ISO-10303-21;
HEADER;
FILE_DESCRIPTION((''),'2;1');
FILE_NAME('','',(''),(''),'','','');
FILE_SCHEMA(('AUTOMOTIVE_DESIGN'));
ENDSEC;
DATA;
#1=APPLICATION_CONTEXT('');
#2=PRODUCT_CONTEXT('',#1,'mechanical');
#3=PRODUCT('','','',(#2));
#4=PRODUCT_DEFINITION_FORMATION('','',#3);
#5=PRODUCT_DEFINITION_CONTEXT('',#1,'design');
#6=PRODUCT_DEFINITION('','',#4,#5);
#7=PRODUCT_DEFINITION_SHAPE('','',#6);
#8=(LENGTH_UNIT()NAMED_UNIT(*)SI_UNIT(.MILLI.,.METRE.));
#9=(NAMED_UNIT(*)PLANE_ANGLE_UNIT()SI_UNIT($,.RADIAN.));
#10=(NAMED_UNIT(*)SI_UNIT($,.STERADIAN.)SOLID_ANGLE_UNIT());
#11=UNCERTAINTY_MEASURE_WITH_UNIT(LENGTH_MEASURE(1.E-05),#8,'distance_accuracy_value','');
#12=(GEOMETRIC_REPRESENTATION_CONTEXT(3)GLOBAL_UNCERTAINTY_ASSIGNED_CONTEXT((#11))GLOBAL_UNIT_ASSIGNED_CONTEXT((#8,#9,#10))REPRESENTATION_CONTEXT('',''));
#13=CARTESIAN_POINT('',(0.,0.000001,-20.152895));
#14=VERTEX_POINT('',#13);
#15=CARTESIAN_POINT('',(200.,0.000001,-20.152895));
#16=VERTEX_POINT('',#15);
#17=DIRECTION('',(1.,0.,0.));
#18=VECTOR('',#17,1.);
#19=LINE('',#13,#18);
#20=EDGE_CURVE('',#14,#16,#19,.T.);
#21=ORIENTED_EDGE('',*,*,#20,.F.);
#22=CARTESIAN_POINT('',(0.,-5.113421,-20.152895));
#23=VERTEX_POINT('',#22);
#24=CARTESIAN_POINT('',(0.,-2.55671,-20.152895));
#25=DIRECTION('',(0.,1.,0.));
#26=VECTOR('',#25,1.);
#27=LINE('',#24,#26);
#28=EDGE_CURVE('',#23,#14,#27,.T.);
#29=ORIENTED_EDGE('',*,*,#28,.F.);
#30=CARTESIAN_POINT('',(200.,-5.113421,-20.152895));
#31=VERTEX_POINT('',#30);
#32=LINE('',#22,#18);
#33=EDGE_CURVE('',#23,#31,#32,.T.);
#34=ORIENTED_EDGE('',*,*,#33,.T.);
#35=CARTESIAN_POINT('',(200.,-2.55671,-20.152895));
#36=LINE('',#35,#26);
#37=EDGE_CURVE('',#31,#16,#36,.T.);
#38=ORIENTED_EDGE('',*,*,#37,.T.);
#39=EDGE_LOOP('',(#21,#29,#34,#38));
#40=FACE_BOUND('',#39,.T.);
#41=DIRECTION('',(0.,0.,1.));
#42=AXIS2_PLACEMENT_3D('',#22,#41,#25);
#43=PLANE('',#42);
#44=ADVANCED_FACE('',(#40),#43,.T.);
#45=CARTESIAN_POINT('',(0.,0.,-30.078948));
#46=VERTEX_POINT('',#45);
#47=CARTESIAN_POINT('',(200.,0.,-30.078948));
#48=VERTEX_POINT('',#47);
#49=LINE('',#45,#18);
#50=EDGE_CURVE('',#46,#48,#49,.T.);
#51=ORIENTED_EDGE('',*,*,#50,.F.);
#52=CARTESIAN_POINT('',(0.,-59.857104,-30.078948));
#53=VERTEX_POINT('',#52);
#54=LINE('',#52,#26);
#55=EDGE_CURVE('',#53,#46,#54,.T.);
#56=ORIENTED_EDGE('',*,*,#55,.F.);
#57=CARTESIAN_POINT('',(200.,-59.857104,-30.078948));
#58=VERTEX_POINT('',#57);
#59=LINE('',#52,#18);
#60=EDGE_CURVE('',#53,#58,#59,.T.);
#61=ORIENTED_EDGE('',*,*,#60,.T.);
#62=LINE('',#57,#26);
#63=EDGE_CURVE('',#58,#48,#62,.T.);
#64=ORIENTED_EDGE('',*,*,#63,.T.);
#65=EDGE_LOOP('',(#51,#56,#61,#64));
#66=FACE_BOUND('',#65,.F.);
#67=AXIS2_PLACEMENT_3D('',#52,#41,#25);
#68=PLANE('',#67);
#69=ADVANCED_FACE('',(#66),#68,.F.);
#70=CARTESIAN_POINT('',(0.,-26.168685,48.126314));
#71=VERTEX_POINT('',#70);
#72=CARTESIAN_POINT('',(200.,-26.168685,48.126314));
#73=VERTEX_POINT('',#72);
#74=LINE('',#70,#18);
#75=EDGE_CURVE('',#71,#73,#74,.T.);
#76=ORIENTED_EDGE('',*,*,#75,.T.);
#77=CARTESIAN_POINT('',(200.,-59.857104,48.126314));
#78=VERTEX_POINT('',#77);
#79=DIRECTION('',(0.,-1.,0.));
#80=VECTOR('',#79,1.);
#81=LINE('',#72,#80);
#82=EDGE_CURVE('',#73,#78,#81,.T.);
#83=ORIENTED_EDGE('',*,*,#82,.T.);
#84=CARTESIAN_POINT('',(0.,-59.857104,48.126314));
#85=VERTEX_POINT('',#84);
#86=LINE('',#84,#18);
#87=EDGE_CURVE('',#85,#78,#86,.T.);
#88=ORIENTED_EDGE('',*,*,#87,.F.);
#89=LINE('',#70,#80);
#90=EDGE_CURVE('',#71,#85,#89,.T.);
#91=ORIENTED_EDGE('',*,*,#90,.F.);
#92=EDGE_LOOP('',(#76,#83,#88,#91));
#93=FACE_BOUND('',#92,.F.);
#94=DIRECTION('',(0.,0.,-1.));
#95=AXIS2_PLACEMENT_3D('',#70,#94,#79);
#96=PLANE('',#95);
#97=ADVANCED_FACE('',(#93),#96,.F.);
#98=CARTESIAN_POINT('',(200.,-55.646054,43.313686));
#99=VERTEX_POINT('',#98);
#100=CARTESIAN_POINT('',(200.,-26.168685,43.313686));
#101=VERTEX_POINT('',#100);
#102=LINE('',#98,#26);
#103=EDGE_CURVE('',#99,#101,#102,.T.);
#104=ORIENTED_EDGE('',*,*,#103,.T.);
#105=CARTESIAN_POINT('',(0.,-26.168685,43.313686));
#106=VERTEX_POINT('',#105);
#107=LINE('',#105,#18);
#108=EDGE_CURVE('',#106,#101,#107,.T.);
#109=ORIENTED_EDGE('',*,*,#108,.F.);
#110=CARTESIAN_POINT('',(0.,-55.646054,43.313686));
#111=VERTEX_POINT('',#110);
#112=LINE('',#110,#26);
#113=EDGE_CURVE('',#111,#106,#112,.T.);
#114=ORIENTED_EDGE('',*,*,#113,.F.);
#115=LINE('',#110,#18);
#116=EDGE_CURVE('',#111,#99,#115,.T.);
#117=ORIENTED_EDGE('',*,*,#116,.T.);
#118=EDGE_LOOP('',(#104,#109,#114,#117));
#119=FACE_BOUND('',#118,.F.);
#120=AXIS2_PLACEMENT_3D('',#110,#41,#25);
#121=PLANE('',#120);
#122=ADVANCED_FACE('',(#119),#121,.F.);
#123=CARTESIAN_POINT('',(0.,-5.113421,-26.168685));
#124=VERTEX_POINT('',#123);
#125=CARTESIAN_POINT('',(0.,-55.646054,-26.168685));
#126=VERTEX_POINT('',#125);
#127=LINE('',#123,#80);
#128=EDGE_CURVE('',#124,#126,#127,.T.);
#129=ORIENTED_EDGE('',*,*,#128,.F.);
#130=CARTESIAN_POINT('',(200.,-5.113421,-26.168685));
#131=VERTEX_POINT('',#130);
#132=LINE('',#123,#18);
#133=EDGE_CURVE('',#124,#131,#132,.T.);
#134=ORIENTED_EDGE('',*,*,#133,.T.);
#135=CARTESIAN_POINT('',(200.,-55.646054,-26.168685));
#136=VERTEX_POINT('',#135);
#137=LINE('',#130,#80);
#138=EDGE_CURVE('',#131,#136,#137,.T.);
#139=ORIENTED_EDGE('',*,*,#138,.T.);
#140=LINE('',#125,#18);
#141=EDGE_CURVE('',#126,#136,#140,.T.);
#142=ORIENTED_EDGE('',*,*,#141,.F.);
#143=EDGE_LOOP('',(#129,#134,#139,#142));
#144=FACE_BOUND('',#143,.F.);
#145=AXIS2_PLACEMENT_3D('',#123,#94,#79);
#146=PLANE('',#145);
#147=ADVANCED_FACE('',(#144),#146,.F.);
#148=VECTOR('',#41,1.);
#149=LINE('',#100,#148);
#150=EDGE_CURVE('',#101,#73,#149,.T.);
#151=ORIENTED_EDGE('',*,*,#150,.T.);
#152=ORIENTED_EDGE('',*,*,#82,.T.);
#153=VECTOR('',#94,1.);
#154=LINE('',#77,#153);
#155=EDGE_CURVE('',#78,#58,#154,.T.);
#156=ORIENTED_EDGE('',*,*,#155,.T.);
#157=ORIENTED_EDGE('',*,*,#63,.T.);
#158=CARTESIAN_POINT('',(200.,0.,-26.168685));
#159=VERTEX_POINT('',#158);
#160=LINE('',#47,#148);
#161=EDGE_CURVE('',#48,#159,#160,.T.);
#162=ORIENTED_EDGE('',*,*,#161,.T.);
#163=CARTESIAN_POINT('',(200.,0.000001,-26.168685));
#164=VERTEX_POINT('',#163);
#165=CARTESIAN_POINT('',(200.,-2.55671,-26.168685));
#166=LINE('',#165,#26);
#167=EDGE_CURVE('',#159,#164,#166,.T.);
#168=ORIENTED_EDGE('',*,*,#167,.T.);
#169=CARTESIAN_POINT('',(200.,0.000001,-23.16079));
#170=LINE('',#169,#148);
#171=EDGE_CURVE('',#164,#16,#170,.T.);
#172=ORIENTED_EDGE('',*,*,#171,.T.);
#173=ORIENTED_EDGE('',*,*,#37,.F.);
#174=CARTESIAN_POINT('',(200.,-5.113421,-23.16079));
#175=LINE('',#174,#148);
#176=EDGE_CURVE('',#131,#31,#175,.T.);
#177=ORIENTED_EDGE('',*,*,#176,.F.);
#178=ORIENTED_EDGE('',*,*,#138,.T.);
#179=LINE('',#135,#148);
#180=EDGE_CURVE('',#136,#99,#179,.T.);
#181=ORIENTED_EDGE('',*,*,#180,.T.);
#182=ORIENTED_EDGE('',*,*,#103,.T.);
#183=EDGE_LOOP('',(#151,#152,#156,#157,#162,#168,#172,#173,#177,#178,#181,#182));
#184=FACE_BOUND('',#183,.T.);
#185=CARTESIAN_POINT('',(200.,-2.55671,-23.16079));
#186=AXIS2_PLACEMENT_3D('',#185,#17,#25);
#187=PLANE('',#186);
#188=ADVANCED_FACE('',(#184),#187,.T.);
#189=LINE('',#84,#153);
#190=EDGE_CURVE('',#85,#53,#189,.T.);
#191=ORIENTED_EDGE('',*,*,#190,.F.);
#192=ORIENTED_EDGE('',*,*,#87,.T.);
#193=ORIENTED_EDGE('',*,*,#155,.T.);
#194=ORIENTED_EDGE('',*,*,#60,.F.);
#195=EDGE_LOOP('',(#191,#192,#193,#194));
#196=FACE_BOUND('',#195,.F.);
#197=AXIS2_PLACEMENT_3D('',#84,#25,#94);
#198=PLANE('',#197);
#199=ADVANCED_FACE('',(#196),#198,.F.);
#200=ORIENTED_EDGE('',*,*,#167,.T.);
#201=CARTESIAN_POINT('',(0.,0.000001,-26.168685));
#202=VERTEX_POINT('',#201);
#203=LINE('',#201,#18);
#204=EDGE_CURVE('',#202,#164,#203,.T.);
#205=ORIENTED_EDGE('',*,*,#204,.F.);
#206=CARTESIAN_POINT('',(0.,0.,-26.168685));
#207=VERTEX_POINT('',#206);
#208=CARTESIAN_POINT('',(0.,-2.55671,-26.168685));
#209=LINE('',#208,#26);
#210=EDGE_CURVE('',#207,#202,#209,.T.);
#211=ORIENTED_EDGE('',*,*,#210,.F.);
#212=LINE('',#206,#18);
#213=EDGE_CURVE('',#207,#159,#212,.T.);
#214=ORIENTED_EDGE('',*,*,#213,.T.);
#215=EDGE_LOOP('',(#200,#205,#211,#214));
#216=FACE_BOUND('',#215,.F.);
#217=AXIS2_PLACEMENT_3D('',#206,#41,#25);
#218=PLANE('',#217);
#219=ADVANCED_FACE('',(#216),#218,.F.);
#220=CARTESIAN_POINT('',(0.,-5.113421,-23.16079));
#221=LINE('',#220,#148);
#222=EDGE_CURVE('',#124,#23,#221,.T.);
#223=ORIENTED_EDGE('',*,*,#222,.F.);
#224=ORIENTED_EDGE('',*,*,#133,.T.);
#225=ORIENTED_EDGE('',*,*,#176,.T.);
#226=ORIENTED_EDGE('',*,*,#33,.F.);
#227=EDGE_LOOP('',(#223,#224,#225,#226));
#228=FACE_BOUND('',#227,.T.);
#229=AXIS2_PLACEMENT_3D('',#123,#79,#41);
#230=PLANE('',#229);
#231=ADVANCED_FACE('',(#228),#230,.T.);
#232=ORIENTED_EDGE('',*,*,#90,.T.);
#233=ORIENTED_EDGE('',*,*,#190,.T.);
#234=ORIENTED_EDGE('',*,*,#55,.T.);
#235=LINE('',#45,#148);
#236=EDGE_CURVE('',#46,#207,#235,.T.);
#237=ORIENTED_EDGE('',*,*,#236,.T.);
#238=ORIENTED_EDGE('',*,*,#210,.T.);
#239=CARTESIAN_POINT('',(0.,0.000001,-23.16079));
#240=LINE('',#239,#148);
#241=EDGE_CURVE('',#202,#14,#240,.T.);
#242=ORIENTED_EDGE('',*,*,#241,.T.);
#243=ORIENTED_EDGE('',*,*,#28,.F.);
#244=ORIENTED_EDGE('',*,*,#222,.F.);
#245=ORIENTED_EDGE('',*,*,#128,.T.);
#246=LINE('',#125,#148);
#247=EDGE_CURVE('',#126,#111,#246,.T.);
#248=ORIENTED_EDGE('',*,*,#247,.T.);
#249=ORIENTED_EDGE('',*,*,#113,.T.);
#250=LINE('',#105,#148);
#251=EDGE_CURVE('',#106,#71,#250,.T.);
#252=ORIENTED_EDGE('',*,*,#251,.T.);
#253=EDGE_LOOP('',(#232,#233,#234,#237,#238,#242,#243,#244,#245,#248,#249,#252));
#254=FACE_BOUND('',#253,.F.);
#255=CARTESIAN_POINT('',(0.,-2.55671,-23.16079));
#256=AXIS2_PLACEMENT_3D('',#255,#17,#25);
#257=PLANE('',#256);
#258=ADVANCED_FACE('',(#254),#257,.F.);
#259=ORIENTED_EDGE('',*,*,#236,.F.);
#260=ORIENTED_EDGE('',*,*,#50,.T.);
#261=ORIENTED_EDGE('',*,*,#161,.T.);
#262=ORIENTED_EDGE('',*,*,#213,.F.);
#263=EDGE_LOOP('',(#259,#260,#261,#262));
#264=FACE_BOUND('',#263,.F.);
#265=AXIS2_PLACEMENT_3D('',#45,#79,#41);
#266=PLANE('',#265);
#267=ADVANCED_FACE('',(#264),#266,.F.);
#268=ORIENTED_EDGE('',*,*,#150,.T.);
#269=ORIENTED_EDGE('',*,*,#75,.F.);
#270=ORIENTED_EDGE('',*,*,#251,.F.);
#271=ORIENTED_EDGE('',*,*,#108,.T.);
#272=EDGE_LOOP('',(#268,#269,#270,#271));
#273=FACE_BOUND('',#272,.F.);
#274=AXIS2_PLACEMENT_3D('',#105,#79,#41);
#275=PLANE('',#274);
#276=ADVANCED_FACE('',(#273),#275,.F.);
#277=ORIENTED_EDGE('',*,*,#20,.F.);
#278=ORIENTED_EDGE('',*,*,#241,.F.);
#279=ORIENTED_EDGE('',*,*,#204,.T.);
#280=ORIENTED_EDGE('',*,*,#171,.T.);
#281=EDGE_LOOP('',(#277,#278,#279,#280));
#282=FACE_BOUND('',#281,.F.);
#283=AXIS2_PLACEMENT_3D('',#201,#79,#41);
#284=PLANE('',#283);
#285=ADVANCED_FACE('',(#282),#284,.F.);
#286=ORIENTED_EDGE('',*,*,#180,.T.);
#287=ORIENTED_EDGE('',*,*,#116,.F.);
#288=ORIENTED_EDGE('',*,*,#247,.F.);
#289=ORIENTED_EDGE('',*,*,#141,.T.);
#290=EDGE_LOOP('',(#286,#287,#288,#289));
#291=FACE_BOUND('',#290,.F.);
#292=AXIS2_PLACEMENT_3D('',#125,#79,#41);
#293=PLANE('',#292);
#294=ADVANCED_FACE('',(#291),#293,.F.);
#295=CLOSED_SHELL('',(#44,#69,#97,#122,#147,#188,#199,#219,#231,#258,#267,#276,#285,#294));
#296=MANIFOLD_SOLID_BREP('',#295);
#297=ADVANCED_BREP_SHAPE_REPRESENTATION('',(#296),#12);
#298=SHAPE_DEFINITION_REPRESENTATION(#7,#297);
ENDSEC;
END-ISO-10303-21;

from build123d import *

# Parameters (mm, degrees)
F0_W     = 5.113421
F0_H     = 6.01579
F1_DEPTH = 200


with BuildPart() as f1:
    # F0 (on Right) → F1 (new body)
    with BuildSketch(Plane.YZ):
        with Locations((-2.55671, -23.16079)):
            Rectangle(F0_W, F0_H)
        Polygon((-59.857104, -30.078948), (0, -30.078948), (0, -26.168685), (-5.113421, -26.168685), (-55.646054, -26.168685), (-55.646054, 43.313686), (-26.168685, 43.313686), (-26.168685, 48.126314), (-59.857104, 48.126314), align=None)
    extrude(amount=F1_DEPTH)


solid = f1.part
